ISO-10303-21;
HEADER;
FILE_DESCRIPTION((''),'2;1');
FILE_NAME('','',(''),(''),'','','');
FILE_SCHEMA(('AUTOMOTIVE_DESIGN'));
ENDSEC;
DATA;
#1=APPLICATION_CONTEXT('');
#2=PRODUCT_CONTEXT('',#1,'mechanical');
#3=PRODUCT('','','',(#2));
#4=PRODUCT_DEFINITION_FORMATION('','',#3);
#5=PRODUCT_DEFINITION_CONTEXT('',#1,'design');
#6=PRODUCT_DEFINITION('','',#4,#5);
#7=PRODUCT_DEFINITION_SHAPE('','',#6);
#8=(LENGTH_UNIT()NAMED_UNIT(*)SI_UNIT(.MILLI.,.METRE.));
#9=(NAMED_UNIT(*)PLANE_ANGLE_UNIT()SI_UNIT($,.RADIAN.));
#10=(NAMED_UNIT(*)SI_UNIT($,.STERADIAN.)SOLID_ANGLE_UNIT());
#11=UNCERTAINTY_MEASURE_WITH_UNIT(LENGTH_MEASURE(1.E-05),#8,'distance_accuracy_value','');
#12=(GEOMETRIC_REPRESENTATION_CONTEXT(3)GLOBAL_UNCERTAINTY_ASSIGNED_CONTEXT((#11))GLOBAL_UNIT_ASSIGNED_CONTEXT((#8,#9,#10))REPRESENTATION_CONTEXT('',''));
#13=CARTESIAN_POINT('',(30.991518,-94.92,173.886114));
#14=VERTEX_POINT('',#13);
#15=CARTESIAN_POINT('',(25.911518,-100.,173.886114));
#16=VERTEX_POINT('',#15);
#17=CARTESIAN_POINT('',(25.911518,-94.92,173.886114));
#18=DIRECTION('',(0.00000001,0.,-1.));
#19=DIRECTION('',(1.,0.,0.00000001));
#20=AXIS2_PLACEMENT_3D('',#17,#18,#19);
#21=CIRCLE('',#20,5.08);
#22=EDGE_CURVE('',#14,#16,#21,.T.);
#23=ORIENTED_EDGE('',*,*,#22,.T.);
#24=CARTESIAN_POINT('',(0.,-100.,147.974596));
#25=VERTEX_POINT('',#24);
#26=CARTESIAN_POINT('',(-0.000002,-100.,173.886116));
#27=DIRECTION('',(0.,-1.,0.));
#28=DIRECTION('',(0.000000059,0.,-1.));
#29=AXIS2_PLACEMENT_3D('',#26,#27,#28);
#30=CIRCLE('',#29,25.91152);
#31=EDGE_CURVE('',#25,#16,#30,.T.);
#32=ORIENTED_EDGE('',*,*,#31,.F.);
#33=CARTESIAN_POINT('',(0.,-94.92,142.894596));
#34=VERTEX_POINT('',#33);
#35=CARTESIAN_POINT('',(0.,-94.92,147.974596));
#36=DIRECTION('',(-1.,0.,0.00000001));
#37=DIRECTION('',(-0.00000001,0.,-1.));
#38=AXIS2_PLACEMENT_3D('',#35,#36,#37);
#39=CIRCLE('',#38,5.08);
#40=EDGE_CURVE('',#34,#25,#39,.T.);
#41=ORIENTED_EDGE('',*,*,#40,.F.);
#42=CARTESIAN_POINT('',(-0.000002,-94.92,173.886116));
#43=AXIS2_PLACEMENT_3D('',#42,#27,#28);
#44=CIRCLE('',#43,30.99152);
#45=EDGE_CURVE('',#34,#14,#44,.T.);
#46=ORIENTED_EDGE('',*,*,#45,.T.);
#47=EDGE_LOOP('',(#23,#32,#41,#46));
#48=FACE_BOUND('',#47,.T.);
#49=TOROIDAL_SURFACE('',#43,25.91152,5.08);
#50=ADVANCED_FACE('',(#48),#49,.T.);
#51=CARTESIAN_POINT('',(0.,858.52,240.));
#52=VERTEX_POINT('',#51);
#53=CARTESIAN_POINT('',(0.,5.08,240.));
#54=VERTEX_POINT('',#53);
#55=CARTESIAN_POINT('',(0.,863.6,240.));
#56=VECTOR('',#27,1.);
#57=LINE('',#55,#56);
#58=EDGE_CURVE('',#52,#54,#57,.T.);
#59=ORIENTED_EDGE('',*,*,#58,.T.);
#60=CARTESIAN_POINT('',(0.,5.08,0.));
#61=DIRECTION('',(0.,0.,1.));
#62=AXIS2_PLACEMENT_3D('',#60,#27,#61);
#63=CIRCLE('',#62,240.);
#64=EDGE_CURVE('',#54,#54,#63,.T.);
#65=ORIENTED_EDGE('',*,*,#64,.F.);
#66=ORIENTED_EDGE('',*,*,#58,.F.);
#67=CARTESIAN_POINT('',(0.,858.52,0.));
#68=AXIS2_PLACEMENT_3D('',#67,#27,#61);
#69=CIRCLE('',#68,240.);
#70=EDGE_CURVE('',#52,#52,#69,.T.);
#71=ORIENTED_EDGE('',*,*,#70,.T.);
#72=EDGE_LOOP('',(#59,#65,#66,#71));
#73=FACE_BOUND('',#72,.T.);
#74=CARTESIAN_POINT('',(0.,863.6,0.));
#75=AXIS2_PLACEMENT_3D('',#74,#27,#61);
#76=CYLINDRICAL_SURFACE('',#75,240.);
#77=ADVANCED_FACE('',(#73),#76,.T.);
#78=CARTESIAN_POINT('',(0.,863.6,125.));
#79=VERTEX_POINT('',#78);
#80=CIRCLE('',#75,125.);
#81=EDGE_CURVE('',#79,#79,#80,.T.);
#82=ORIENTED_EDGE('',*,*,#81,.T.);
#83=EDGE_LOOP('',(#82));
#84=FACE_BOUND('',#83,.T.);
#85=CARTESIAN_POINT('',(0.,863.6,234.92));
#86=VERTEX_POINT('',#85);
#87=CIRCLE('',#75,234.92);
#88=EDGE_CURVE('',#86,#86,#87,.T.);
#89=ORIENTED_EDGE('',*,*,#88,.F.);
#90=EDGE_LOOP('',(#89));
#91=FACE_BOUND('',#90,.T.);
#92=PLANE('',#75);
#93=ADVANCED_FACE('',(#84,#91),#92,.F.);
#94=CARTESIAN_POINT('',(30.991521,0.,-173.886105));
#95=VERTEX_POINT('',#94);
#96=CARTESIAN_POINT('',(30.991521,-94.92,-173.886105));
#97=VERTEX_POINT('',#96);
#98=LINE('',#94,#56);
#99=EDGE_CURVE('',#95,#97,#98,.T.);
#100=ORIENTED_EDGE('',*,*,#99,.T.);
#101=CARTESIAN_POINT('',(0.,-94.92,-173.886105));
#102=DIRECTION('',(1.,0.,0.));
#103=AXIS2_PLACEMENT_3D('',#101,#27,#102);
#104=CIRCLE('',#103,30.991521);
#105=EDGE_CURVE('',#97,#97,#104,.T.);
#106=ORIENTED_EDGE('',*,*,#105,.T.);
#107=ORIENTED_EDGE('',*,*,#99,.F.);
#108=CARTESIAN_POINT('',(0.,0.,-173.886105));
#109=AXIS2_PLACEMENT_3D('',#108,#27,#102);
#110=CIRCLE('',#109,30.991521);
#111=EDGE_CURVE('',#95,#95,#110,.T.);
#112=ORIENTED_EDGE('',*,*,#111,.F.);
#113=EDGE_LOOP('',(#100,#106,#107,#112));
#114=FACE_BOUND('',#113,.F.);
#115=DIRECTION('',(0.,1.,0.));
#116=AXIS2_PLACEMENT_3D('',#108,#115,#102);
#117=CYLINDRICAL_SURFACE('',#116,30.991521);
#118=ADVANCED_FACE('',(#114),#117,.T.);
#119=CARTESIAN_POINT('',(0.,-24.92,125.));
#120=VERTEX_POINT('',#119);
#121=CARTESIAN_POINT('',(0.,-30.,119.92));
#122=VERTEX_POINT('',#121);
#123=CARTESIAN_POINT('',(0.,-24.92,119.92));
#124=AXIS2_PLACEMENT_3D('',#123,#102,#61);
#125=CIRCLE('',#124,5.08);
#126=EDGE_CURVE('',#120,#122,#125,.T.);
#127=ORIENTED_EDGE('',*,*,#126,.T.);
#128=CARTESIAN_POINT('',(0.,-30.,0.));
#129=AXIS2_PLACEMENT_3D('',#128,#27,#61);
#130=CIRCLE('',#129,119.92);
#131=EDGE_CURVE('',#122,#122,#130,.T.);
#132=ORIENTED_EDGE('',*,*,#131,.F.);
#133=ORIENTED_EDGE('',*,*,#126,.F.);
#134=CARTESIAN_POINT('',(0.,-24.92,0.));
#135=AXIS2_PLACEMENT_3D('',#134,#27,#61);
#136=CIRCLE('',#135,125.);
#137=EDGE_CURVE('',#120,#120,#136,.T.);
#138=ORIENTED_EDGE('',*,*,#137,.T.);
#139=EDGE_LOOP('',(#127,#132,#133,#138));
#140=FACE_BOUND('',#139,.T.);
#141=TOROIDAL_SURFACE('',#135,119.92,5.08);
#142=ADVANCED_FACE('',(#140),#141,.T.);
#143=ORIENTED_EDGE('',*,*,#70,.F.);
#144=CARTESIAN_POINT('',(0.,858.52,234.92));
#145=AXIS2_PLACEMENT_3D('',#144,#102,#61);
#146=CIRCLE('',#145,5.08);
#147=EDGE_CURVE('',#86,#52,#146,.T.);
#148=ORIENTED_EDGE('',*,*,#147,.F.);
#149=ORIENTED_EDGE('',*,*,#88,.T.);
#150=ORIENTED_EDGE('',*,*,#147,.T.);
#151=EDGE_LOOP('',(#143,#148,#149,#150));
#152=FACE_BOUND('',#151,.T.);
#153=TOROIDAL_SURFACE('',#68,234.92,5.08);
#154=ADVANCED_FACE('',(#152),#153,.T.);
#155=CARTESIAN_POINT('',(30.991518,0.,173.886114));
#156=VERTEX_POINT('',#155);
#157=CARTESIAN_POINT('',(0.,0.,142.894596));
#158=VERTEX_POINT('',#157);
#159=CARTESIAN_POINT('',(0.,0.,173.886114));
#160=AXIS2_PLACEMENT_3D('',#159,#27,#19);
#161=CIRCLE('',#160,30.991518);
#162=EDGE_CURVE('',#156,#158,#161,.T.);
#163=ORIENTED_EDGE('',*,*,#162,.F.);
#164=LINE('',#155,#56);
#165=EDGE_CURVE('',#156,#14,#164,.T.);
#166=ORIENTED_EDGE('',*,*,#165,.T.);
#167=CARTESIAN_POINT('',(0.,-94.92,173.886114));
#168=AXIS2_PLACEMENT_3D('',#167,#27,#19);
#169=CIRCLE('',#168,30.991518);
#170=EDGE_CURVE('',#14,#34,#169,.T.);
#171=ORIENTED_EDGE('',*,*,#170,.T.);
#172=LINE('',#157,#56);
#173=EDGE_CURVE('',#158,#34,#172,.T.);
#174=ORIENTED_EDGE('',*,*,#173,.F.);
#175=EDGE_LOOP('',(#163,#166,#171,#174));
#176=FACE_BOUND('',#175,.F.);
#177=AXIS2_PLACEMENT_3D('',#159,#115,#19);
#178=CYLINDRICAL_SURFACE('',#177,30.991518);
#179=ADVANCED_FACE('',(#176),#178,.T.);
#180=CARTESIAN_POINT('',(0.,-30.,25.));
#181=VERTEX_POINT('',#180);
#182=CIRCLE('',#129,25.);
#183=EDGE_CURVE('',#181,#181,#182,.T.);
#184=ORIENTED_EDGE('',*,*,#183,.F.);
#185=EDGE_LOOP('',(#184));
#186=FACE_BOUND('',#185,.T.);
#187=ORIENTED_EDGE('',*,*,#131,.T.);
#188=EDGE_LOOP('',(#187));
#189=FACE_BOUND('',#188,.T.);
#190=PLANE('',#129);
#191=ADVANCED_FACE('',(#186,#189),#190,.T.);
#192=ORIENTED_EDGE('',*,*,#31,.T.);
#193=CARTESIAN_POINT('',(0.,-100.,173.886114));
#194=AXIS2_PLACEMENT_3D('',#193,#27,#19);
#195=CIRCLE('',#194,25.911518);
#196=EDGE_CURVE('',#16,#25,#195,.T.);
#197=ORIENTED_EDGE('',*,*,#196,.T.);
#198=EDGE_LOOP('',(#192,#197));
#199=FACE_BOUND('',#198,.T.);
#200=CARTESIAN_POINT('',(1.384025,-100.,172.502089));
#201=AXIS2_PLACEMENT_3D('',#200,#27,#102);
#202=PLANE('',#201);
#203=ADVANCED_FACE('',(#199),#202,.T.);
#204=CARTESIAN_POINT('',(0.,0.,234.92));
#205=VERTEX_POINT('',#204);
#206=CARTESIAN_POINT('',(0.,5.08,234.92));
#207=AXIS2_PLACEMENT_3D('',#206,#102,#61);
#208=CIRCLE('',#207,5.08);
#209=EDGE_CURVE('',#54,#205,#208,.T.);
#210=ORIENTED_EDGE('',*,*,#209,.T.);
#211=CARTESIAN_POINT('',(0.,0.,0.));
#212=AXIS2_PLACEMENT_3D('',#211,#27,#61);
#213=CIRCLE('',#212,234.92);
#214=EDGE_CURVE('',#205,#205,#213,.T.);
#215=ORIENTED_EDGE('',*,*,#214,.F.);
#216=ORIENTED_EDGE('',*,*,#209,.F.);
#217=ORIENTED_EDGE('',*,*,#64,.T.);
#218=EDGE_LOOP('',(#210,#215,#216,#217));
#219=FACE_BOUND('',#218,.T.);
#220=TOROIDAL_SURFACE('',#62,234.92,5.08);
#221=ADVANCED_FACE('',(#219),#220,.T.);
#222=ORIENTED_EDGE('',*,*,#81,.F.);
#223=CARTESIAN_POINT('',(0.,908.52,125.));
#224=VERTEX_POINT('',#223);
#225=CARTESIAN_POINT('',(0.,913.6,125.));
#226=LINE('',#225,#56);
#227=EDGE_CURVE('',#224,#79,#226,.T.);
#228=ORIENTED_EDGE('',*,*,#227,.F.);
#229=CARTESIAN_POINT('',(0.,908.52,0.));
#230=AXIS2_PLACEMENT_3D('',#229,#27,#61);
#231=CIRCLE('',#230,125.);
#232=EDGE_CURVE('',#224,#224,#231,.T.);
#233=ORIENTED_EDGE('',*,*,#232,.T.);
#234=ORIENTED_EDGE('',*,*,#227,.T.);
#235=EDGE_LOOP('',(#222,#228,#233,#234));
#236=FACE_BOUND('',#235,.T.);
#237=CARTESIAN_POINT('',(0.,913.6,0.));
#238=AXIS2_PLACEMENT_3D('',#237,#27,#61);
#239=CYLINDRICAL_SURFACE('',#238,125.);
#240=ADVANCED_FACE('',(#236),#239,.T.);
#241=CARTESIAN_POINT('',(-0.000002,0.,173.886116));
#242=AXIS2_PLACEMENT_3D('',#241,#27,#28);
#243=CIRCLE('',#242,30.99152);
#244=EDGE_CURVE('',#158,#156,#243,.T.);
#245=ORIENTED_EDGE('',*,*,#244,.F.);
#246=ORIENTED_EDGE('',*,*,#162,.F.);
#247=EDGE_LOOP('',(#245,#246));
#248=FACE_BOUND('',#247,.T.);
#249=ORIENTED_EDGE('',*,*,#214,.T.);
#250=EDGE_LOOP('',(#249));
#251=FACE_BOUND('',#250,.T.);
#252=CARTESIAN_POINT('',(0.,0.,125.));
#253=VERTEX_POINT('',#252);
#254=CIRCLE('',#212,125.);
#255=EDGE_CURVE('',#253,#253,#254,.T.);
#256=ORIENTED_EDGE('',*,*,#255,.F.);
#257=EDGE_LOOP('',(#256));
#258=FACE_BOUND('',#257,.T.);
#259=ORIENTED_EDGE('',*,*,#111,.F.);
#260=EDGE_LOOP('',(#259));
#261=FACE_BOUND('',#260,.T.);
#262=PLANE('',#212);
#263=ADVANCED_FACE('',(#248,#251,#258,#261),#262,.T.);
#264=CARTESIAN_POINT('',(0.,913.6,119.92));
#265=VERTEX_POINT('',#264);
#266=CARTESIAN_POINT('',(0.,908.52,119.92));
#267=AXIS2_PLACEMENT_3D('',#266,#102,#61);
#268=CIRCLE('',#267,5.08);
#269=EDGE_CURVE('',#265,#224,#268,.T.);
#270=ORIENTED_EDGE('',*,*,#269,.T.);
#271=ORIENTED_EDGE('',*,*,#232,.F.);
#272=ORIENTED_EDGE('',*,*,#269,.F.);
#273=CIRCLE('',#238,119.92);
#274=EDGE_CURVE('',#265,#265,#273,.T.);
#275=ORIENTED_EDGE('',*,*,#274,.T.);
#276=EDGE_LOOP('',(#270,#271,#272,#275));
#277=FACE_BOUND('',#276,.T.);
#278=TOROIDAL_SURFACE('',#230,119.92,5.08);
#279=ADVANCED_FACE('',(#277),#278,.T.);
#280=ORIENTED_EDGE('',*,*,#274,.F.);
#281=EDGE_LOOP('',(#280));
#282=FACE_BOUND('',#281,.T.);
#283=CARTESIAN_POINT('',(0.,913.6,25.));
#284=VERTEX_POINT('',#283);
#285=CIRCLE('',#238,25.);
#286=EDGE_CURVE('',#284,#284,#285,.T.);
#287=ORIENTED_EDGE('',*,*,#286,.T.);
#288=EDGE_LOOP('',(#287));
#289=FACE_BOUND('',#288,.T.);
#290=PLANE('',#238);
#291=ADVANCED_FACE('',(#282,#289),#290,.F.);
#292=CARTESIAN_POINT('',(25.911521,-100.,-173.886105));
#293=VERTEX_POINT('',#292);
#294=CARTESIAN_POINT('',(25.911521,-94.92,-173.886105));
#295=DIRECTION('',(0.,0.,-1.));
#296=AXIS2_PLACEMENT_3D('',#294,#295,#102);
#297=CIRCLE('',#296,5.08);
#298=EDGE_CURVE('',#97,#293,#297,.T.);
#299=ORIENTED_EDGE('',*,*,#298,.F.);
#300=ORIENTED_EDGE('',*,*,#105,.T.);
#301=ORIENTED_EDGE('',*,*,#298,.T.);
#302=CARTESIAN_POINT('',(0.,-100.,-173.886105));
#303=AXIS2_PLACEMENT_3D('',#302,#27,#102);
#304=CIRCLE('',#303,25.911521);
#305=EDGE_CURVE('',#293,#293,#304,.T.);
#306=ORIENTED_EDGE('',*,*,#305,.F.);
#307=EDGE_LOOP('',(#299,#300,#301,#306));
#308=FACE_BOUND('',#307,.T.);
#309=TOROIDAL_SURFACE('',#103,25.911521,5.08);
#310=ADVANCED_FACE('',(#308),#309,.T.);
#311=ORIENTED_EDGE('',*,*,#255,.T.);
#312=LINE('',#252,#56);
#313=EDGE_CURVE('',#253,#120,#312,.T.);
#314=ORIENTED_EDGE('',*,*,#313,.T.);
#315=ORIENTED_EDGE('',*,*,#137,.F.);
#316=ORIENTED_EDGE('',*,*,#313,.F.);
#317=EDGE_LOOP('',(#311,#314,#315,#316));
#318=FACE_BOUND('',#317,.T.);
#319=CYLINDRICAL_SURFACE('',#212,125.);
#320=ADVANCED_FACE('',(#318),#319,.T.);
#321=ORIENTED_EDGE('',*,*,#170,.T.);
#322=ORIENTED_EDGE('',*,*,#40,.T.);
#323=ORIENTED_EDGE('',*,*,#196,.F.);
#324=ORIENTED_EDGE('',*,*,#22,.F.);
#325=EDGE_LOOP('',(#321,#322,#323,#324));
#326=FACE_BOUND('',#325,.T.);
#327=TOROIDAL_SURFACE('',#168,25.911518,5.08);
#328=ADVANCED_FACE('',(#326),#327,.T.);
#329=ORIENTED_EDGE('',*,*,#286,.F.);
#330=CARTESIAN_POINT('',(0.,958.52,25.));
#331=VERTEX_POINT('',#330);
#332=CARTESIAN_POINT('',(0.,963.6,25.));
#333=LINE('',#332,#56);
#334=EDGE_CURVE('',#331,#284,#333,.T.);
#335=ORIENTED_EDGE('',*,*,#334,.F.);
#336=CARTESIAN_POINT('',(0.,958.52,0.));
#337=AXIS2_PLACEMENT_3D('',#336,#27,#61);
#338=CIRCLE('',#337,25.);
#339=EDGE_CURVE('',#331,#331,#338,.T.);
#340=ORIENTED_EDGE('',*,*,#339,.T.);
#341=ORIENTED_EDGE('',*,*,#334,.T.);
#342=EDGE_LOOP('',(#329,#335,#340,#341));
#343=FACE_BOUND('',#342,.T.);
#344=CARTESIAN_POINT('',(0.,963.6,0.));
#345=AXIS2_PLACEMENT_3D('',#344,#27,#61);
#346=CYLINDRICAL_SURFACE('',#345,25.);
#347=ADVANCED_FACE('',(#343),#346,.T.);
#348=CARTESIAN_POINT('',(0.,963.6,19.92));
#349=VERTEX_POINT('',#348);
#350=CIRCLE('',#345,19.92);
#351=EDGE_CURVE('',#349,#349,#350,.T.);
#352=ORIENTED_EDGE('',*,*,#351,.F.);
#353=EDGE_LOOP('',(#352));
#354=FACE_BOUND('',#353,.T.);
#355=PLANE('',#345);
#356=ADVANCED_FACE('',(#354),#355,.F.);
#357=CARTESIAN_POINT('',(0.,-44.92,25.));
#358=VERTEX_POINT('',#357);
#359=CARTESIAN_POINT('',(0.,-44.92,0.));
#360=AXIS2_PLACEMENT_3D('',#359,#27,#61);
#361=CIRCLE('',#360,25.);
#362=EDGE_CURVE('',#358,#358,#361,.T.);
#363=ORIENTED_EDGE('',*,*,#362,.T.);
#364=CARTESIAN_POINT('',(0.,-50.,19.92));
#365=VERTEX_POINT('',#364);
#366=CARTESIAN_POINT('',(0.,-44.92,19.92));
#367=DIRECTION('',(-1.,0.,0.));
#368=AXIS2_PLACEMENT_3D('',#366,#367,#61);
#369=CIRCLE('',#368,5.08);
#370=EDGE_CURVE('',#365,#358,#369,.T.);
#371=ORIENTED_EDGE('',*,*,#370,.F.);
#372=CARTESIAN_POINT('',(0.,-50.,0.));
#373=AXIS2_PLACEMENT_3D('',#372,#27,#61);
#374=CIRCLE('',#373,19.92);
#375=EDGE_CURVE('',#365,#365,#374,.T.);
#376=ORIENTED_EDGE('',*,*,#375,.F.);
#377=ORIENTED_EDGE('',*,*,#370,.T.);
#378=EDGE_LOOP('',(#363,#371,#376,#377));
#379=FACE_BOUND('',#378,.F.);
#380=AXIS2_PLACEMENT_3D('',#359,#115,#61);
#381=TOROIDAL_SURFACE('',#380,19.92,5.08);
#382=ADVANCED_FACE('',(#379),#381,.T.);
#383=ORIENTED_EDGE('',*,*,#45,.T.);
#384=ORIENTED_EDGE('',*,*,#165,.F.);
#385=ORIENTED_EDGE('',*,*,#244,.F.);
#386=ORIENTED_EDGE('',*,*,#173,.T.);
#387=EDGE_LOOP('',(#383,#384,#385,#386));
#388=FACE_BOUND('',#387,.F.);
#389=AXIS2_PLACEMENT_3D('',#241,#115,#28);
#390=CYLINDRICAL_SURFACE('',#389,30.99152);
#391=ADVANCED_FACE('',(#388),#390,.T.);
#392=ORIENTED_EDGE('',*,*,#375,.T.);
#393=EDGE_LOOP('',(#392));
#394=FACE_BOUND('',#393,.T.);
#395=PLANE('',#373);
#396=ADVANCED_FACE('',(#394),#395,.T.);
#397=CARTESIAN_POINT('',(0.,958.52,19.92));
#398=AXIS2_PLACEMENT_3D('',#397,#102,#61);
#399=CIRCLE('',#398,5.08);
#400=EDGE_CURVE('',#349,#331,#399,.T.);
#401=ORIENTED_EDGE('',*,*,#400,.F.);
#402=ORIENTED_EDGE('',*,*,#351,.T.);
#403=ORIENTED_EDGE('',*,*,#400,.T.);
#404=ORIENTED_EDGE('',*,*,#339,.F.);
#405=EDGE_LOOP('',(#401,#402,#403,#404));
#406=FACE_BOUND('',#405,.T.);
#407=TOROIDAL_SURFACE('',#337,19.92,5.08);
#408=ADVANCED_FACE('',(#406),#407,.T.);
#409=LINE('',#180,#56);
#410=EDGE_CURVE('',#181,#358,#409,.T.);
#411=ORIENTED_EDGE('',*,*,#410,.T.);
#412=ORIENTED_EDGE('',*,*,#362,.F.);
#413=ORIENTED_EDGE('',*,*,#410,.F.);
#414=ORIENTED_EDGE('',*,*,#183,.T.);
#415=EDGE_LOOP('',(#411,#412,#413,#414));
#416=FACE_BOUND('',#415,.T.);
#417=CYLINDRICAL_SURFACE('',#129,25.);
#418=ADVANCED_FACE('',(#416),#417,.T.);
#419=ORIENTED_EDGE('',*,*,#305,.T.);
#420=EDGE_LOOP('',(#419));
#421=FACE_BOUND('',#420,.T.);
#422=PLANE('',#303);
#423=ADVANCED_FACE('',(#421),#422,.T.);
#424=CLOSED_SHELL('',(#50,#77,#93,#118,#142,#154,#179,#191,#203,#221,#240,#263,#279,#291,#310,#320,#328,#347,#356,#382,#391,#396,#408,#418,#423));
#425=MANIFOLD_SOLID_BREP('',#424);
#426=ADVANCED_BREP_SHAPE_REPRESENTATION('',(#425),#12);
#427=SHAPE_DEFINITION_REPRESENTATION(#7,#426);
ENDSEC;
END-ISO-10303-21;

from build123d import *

# Parameters (mm, degrees)
F2_R     = 5.08
F3_R     = 30.991521
F4_DEPTH = 100
F5_R     = 5.08


with BuildPart() as f1:
    # F0 (on Right) → F1 (revolve)
    with BuildSketch(Plane.YZ):
        Polygon((-50, 25), (-50, 0), (963.6, 0), (963.6, 25), (913.6, 25), (913.6, 125), (863.6, 125), (863.6, 240), (0, 240), (0, 125), (-30, 125), (-30, 25), align=None)
    revolve(axis=Axis((0, 456.8, 0), (0, -1, 0)))

    # F2
    f2_edges = [f1.edges().sort_by_distance(p)[0] for p in [
        (0, 863.6, -240),
        (0, 913.6, -125),
        (0, 963.6, -25),
        (0, 0, -240),
        (0, -30, -125),
        (0, -50, -25),
    ]]
    fillet(f2_edges, radius=F2_R)

    # F3 (on face) → F4 (join)
    with BuildSketch(Plane.XZ):
        with BuildLine():
            ThreePointArc((30.991518, 173.886114), (-21.914312, 195.800426), (0, 142.894596))
            ThreePointArc((0, 142.894596), (21.914312, 151.971802), (30.991518, 173.886114))
        make_face()
        with Locations((0, -173.886105)):
            Circle(F3_R)
    extrude(amount=F4_DEPTH)

    # F5
    f5_edges = [f1.edges().sort_by_distance(p)[0] for p in [
        (-30.991521, -100, -173.886105),
        (0, -100, 204.877632),
    ]]
    fillet(f5_edges, radius=F5_R)


solid = f1.part
